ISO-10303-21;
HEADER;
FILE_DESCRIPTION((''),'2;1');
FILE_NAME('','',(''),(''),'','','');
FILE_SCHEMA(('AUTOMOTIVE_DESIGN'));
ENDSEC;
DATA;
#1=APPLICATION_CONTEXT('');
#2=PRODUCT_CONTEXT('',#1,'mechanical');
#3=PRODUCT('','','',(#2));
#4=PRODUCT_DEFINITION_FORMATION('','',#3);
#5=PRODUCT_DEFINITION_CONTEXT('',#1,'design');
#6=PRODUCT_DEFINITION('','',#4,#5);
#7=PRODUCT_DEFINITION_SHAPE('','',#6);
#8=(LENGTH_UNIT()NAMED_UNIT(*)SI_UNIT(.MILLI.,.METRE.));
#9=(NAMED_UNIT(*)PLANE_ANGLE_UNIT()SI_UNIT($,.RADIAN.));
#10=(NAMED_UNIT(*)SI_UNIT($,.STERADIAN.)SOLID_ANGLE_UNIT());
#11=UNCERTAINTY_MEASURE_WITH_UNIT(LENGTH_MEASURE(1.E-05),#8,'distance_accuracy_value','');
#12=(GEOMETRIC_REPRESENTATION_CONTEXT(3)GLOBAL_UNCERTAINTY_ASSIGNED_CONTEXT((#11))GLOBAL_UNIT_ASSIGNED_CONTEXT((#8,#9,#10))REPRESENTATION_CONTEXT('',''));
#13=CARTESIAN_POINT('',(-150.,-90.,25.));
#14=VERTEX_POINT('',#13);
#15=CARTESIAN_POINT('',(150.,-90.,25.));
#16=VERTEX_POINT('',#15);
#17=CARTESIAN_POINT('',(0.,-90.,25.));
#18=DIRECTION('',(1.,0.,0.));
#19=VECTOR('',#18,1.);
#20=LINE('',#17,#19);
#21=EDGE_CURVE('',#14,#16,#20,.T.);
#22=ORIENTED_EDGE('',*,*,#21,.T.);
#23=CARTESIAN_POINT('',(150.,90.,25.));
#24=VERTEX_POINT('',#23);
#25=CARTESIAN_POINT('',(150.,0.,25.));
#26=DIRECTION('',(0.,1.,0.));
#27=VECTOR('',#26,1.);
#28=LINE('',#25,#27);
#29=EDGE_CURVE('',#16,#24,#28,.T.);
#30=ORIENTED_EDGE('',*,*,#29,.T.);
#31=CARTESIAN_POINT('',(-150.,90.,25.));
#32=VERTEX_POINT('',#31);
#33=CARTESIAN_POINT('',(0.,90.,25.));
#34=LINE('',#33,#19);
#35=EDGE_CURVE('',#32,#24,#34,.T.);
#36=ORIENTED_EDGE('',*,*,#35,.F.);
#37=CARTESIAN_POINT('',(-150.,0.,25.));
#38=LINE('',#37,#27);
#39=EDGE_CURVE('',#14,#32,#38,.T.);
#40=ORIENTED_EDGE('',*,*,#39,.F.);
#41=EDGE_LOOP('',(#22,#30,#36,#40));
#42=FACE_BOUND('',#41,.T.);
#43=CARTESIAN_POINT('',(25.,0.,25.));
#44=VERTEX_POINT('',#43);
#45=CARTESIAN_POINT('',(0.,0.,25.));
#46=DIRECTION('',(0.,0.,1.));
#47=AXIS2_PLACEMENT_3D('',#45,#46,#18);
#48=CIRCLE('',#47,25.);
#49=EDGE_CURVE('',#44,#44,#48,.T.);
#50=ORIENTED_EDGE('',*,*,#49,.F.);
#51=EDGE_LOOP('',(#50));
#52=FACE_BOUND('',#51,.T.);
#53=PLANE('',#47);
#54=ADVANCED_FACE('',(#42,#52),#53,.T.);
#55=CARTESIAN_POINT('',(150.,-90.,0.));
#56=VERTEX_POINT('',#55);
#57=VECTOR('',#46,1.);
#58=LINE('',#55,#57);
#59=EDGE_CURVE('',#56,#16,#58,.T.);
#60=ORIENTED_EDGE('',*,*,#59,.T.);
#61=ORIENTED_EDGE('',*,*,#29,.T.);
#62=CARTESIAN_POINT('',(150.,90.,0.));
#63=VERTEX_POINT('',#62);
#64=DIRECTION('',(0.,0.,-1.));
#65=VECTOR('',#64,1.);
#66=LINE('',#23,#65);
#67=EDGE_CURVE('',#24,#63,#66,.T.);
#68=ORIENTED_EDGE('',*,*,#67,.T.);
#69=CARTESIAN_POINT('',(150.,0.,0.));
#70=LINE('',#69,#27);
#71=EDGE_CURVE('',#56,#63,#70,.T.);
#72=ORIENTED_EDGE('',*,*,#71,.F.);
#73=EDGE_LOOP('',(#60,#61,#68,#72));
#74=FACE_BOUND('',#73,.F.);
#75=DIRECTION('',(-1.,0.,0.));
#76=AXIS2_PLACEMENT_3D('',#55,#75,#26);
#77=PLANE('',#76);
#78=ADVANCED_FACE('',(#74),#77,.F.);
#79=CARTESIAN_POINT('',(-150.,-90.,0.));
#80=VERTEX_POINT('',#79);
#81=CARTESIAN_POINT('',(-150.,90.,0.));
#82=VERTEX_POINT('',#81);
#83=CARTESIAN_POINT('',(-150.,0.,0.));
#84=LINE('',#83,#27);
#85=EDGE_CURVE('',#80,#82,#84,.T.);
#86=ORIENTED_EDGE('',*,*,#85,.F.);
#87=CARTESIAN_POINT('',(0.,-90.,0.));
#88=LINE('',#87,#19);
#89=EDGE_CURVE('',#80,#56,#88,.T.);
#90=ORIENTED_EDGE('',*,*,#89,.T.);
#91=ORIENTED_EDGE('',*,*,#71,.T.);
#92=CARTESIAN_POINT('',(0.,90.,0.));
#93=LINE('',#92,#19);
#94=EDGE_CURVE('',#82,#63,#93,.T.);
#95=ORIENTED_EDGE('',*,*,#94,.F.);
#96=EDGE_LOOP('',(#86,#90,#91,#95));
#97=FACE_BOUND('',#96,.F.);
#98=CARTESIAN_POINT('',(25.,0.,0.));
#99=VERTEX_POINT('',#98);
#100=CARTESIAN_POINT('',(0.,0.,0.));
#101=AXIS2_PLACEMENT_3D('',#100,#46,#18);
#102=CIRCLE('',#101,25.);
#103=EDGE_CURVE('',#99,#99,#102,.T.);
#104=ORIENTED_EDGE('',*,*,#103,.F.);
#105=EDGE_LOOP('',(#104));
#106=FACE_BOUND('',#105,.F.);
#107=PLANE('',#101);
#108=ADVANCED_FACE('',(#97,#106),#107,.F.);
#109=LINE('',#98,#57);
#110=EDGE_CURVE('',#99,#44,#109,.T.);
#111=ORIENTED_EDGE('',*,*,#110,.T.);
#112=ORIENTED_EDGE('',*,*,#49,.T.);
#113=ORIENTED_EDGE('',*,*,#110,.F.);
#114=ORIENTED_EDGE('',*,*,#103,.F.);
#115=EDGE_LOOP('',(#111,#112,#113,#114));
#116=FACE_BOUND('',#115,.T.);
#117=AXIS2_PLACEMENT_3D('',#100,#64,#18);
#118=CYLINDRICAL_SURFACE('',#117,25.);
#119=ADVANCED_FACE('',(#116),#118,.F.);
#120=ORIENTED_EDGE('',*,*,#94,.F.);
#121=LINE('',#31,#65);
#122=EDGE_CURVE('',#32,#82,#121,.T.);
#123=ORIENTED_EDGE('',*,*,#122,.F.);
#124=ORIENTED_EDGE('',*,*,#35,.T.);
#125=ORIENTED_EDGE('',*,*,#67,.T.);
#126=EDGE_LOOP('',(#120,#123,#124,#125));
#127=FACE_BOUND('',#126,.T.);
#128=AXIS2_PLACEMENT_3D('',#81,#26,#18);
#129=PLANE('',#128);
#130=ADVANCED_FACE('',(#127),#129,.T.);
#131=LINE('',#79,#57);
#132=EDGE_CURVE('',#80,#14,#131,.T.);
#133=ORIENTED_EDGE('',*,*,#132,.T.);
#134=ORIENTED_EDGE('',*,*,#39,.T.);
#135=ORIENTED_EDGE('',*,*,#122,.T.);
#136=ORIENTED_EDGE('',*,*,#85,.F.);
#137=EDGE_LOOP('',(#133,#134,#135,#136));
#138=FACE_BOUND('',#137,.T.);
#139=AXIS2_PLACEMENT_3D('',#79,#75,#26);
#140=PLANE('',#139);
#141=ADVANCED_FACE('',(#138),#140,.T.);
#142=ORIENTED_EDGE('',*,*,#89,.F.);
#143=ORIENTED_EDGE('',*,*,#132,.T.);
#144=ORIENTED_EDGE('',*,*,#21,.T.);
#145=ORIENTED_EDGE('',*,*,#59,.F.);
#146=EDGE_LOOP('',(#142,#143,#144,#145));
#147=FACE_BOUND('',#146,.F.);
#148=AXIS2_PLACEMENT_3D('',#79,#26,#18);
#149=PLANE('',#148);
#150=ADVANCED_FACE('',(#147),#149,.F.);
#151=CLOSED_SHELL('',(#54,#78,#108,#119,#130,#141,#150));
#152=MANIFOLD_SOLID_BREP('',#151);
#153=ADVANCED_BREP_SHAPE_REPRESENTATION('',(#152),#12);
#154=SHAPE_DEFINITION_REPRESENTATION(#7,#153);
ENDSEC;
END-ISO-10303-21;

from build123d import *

# Parameters (mm, degrees)
F0_W     = 300
F0_H     = 180
F0_R     = 25
F1_DEPTH = 5
F2_DEPTH = 25


with BuildPart() as f1:
    # F0 (on Top) → F1 (new body)
    with BuildSketch(Plane.XY):
        Rectangle(F0_W, F0_H)
        Circle(F0_R, mode=Mode.SUBTRACT)
    extrude(amount=F1_DEPTH)

    # F0 (on Top) → F2 (join)
    with BuildSketch(Plane.XY):
        Rectangle(F0_W, F0_H)
        Circle(F0_R, mode=Mode.SUBTRACT)
    extrude(amount=F2_DEPTH)


solid = f1.part
